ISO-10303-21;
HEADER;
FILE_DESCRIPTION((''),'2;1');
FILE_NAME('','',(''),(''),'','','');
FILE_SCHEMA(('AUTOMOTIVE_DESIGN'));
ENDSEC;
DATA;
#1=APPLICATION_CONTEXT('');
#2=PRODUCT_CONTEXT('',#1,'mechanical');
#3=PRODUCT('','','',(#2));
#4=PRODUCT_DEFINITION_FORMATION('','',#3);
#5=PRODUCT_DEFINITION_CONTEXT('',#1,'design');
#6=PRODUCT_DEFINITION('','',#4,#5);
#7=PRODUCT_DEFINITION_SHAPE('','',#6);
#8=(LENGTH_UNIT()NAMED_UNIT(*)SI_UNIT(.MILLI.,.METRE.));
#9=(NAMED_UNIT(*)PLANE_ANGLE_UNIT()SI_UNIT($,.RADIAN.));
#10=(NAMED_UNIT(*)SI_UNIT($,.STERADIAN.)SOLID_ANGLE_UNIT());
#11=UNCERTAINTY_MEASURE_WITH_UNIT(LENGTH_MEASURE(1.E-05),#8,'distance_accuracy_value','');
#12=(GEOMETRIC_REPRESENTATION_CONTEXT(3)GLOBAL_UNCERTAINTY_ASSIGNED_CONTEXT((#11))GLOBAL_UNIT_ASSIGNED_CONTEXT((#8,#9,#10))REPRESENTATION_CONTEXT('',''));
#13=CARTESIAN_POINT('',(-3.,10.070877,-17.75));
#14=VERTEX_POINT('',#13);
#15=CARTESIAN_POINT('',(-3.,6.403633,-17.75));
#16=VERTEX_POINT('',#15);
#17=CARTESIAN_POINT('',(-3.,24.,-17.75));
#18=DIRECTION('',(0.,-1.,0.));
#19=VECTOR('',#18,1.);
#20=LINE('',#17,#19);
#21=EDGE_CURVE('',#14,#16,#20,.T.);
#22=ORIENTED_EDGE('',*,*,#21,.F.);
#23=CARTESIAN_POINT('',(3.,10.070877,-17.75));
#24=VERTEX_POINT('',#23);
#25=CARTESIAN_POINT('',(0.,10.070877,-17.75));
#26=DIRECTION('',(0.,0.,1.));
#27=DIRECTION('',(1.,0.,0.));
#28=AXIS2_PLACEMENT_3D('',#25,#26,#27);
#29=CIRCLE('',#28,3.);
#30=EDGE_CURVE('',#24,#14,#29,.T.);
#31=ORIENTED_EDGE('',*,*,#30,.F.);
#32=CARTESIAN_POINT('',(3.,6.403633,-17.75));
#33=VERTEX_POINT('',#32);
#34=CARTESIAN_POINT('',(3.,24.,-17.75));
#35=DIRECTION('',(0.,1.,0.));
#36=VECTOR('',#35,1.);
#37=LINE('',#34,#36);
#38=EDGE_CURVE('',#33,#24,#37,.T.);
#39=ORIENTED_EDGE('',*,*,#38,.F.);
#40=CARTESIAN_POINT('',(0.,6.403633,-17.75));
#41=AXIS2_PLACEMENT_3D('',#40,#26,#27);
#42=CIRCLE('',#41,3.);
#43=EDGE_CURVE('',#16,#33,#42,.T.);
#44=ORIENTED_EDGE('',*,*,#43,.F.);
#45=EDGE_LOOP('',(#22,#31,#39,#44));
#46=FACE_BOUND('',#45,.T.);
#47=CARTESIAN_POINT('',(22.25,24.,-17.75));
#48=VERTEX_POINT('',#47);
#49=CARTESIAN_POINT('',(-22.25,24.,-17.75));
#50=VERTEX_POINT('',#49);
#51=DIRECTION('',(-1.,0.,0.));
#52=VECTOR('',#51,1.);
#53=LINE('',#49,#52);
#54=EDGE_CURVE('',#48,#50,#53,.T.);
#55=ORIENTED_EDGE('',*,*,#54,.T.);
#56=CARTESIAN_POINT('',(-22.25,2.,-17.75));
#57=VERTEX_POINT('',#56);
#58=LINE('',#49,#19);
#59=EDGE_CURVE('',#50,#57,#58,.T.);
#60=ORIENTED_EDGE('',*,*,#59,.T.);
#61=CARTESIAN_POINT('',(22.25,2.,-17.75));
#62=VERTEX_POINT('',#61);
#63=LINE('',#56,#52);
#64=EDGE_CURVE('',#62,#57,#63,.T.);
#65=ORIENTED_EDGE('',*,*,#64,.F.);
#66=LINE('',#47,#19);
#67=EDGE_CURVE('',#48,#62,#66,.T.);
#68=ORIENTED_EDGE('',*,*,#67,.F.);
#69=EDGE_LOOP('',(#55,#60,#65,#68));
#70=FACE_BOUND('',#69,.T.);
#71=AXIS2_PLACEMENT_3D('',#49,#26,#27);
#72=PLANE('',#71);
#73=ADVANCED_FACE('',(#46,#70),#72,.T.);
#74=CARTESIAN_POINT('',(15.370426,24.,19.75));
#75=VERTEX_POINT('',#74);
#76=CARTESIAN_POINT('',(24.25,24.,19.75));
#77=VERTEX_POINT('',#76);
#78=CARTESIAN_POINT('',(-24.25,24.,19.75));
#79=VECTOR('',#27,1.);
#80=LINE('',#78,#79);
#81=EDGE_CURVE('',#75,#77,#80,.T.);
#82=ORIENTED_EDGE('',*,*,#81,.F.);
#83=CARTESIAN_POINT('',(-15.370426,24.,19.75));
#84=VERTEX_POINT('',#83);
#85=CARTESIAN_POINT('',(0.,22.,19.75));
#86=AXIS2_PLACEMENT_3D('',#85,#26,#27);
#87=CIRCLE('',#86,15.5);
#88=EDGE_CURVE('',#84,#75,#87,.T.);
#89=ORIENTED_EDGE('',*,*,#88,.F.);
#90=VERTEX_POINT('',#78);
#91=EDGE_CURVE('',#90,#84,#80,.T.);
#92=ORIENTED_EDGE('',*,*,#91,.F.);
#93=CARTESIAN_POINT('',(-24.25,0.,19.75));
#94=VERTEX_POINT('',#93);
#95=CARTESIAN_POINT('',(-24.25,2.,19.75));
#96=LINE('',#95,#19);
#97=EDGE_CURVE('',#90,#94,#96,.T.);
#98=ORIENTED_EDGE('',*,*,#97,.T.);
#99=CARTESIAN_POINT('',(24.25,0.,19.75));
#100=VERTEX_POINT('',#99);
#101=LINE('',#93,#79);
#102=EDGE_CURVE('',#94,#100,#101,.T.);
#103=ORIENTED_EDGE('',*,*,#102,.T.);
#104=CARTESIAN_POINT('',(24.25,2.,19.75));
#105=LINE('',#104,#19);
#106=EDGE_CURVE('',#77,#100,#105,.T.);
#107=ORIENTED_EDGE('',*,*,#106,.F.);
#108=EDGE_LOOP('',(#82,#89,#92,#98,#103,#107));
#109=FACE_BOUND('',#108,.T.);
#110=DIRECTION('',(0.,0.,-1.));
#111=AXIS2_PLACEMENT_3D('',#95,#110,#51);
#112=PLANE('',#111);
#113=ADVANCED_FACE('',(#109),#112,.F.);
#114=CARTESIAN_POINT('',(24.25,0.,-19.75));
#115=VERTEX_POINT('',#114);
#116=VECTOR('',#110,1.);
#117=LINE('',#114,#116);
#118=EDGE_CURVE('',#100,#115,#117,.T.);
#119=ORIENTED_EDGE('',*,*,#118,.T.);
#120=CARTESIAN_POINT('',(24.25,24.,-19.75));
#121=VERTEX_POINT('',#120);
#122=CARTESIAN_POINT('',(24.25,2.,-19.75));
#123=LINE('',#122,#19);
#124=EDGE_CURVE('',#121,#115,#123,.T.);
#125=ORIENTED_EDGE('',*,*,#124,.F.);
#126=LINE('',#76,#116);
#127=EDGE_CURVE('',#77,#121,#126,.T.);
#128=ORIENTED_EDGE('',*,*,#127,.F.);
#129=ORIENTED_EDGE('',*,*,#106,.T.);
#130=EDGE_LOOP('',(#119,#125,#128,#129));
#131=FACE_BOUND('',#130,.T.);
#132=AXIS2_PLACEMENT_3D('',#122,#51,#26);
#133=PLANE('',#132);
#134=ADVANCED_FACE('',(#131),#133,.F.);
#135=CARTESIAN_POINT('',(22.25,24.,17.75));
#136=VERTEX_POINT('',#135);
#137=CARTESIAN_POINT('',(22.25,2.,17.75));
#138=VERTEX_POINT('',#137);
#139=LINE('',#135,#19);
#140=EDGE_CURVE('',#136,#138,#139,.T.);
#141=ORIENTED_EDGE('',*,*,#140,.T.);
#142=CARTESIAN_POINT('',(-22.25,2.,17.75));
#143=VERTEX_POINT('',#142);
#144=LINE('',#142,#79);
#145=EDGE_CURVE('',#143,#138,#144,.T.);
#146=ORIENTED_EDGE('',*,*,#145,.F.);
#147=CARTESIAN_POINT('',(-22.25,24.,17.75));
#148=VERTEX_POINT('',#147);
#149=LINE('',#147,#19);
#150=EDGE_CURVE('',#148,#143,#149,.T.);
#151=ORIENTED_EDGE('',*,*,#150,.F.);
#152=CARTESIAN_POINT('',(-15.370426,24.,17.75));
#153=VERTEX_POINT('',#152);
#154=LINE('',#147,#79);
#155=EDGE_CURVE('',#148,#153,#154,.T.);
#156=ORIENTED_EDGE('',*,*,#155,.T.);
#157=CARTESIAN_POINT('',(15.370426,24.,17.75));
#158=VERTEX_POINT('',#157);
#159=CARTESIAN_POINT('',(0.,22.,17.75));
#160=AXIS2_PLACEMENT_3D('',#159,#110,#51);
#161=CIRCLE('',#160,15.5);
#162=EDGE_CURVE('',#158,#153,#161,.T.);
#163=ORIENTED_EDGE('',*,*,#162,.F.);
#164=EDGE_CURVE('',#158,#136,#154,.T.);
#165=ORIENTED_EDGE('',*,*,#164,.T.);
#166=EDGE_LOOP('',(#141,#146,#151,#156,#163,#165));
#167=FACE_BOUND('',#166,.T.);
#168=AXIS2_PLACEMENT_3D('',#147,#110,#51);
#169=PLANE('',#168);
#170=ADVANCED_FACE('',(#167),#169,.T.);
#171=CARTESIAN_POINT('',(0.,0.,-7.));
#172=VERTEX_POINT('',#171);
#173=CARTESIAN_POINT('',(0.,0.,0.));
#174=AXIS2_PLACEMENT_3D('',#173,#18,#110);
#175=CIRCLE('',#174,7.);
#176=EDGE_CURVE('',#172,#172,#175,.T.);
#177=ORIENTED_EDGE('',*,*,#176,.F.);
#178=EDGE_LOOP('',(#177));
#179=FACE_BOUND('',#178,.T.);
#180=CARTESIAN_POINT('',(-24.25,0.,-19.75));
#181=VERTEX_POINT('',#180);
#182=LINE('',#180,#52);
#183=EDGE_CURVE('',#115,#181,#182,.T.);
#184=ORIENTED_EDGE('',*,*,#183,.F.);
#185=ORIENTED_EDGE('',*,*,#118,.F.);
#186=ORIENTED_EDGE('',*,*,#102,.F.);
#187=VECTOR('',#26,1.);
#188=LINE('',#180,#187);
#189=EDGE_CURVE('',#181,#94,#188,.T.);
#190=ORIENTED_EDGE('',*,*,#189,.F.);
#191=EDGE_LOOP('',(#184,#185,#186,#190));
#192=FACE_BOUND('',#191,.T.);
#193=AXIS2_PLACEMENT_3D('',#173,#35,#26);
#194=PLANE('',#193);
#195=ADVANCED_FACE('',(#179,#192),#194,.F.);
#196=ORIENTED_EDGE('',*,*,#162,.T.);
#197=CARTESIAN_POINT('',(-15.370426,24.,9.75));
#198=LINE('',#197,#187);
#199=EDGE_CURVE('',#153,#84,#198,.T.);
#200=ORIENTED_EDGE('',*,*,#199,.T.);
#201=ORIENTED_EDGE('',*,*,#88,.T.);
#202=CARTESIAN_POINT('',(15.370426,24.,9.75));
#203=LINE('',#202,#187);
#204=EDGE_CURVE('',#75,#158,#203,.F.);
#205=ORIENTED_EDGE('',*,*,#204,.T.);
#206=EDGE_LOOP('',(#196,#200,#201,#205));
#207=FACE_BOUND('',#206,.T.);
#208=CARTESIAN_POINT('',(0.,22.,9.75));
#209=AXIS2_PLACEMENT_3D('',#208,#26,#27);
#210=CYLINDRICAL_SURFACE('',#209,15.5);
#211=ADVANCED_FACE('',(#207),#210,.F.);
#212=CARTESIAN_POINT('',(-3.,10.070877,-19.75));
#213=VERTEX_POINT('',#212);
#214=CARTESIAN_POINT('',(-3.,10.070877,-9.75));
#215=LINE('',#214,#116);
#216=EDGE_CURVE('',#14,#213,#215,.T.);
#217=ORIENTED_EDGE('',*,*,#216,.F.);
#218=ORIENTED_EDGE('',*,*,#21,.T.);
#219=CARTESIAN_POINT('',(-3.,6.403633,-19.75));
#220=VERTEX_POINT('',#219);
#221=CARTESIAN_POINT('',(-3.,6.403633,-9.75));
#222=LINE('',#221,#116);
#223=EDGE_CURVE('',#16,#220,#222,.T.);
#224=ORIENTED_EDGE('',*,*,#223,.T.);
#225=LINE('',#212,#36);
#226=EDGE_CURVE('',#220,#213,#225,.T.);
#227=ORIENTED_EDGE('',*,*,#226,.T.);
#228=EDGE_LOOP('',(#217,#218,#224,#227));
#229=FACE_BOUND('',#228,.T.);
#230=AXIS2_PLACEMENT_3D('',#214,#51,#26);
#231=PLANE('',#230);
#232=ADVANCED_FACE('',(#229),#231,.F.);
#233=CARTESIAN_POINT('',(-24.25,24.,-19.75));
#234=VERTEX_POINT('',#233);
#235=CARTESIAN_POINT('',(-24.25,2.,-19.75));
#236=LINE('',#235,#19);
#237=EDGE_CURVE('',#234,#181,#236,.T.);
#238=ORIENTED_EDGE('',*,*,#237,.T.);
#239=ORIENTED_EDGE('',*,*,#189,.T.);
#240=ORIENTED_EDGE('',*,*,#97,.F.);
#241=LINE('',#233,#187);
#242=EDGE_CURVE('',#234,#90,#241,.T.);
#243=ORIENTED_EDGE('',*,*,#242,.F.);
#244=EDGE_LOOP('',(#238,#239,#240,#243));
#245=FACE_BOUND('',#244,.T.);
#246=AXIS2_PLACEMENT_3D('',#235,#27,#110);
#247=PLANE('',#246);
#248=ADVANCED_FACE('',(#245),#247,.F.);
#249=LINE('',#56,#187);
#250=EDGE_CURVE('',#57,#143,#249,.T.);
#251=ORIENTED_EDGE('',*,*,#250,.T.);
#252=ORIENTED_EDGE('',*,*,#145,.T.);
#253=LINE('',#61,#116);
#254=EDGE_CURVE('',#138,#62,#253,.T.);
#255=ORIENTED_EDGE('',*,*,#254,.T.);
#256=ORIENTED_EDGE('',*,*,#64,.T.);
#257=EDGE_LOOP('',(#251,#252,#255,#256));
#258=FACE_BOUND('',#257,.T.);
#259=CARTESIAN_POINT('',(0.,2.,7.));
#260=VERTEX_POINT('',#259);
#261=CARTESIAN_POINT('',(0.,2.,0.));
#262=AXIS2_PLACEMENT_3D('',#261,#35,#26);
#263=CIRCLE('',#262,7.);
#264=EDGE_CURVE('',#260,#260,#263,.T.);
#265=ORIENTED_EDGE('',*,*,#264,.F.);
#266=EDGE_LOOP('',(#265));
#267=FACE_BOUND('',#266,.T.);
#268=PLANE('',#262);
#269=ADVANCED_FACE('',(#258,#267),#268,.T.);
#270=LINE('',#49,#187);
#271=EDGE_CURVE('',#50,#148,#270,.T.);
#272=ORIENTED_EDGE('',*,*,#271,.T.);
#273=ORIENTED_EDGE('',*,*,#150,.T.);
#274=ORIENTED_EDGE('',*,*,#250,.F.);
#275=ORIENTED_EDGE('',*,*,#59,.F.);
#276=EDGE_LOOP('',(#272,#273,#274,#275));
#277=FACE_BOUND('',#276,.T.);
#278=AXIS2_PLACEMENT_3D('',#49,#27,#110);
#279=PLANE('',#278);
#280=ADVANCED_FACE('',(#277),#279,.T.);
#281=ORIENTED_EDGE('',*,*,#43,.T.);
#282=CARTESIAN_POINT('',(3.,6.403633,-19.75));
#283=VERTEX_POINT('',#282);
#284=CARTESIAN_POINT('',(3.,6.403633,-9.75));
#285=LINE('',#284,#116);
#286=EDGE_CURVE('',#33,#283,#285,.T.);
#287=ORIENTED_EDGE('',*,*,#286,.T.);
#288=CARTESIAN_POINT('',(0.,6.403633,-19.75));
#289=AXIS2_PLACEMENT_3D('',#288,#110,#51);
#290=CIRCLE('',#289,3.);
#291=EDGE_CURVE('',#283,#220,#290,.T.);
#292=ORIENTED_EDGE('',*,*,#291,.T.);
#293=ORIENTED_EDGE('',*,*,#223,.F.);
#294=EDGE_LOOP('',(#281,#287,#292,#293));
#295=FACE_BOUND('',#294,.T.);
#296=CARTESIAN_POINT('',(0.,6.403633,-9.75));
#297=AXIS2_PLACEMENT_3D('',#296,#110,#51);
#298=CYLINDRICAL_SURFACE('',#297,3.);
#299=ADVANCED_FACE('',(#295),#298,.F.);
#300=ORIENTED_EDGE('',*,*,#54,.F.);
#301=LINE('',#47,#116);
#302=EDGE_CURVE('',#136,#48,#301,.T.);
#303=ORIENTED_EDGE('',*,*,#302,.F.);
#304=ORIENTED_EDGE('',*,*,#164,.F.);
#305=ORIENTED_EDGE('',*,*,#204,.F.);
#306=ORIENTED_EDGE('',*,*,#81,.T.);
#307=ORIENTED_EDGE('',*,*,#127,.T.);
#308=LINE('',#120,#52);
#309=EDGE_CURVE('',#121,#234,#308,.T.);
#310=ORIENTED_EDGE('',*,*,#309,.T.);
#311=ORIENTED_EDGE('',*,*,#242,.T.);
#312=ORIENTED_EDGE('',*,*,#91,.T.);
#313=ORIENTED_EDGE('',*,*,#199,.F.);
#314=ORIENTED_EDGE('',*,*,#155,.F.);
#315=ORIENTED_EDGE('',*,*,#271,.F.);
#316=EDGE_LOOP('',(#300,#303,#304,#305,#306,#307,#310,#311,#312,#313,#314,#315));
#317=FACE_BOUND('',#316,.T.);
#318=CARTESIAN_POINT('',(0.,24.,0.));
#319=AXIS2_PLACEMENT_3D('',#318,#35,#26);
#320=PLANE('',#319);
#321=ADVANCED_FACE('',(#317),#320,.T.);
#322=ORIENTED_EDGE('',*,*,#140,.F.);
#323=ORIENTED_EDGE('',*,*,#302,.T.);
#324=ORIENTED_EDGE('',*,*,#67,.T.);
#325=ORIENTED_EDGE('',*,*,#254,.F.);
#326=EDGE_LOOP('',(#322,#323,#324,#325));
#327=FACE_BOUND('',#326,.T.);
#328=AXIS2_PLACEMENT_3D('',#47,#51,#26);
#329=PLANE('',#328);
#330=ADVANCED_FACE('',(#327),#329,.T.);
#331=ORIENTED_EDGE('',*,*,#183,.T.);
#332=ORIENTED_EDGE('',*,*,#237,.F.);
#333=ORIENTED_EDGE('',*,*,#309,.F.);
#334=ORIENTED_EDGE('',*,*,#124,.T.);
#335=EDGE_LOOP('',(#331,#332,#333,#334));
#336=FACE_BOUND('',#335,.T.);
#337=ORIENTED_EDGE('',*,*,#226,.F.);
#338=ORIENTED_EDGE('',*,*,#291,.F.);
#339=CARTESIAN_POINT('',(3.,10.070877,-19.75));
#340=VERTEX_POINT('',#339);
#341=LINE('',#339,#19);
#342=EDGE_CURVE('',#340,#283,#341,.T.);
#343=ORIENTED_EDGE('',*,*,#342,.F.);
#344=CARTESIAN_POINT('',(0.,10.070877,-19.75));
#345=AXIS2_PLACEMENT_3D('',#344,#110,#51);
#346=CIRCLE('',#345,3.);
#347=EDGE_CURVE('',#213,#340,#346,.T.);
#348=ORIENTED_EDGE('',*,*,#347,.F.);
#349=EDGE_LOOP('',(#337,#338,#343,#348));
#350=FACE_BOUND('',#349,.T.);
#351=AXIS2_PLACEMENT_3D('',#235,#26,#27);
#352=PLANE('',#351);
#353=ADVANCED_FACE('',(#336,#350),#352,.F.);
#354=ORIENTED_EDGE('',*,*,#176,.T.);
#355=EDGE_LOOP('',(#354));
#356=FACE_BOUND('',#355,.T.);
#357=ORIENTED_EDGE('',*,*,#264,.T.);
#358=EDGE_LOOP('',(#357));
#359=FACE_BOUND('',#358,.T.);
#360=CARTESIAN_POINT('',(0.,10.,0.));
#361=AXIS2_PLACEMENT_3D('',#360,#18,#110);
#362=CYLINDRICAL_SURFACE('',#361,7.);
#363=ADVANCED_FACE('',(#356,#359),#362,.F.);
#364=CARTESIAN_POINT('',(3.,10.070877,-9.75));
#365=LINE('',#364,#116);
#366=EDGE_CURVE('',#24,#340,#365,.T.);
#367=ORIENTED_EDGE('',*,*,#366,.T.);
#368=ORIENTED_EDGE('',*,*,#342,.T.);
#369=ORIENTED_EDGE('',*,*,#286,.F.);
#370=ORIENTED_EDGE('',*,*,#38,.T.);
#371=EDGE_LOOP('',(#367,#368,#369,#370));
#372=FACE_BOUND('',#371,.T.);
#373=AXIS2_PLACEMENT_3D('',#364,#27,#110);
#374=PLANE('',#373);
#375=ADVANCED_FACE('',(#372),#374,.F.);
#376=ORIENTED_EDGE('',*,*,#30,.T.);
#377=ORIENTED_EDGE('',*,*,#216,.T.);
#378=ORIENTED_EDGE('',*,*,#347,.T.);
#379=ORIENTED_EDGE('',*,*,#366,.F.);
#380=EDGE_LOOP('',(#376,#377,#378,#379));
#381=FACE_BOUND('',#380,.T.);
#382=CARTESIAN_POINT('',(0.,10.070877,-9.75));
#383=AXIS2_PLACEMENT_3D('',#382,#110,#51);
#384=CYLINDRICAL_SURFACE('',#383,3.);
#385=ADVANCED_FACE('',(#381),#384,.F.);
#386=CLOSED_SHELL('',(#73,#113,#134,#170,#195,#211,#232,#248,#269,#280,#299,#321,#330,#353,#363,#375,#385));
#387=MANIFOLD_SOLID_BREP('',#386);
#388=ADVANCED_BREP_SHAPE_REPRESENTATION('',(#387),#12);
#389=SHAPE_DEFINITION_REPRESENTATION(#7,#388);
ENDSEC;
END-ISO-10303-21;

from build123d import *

# Parameters (mm, degrees)
SKETCH_2_W          = 48.5
SKETCH_2_H          = 39.5
EXTRUDE_1_DEPTH     = 2
SKETCH_4_W          = 48.5
SKETCH_4_H          = 39.5
SKETCH_4_W_2        = 44.5
SKETCH_4_H_2        = 35.5
EXTRUDE_2_DEPTH     = 22
SKETCH_5_R          = 15.5
CUT_EXTRUDE_1_DEPTH = 10
CUT_EXTRUDE_2_DEPTH = 10
SKETCH_7_R          = 7
CUT_EXTRUDE_3_DEPTH = 10


with BuildPart() as part:
    # 草图2 → 凸台-拉伸1 (new body)
    with BuildSketch(Plane(origin=(0, 0, 0), x_dir=(1, 0, 0), z_dir=(0, 1, 0))):
        Rectangle(SKETCH_2_W, SKETCH_2_H)
    extrude(amount=EXTRUDE_1_DEPTH)

    # 草图4 → 凸台-拉伸2 (add)
    with BuildSketch(Plane(origin=(0, 2, 0), x_dir=(1, 0, 0), z_dir=(0, 1, 0))):
        Rectangle(SKETCH_4_W, SKETCH_4_H)
        Rectangle(SKETCH_4_W_2, SKETCH_4_H_2, mode=Mode.SUBTRACT)
    extrude(amount=EXTRUDE_2_DEPTH)

    # 草图5 → 切除-拉伸1 (cut)
    with BuildSketch(Plane.XY.offset(19.75)):
        with Locations((0, 22)):
            Circle(SKETCH_5_R)
    extrude(amount=-CUT_EXTRUDE_1_DEPTH, mode=Mode.SUBTRACT)

    # 草图6 → 切除-拉伸2 (cut)
    with BuildSketch(Plane(origin=(0, 0, -19.75), x_dir=(-1, 0, 0), z_dir=(0, 0, -1))):
        with BuildLine():
            Line((3, 10.070876888), (3, 6.403632954))
            ThreePointArc((3, 6.403632954), (0, 3.403632954), (-3, 6.403632954))
            Line((-3, 6.403632954), (-3, 10.070876888))
            ThreePointArc((-3, 10.070876888), (0, 13.070876888), (3, 10.070876888))
        make_face()
    extrude(amount=-CUT_EXTRUDE_2_DEPTH, mode=Mode.SUBTRACT)

    # 草图7 → 切除-拉伸3 (cut)
    with BuildSketch(Plane.XZ):
        with Locations(Location((0, 0, 0), (0, 0, 270))):
            Circle(SKETCH_7_R)
    extrude(amount=-CUT_EXTRUDE_3_DEPTH, mode=Mode.SUBTRACT)


solid = part.part
